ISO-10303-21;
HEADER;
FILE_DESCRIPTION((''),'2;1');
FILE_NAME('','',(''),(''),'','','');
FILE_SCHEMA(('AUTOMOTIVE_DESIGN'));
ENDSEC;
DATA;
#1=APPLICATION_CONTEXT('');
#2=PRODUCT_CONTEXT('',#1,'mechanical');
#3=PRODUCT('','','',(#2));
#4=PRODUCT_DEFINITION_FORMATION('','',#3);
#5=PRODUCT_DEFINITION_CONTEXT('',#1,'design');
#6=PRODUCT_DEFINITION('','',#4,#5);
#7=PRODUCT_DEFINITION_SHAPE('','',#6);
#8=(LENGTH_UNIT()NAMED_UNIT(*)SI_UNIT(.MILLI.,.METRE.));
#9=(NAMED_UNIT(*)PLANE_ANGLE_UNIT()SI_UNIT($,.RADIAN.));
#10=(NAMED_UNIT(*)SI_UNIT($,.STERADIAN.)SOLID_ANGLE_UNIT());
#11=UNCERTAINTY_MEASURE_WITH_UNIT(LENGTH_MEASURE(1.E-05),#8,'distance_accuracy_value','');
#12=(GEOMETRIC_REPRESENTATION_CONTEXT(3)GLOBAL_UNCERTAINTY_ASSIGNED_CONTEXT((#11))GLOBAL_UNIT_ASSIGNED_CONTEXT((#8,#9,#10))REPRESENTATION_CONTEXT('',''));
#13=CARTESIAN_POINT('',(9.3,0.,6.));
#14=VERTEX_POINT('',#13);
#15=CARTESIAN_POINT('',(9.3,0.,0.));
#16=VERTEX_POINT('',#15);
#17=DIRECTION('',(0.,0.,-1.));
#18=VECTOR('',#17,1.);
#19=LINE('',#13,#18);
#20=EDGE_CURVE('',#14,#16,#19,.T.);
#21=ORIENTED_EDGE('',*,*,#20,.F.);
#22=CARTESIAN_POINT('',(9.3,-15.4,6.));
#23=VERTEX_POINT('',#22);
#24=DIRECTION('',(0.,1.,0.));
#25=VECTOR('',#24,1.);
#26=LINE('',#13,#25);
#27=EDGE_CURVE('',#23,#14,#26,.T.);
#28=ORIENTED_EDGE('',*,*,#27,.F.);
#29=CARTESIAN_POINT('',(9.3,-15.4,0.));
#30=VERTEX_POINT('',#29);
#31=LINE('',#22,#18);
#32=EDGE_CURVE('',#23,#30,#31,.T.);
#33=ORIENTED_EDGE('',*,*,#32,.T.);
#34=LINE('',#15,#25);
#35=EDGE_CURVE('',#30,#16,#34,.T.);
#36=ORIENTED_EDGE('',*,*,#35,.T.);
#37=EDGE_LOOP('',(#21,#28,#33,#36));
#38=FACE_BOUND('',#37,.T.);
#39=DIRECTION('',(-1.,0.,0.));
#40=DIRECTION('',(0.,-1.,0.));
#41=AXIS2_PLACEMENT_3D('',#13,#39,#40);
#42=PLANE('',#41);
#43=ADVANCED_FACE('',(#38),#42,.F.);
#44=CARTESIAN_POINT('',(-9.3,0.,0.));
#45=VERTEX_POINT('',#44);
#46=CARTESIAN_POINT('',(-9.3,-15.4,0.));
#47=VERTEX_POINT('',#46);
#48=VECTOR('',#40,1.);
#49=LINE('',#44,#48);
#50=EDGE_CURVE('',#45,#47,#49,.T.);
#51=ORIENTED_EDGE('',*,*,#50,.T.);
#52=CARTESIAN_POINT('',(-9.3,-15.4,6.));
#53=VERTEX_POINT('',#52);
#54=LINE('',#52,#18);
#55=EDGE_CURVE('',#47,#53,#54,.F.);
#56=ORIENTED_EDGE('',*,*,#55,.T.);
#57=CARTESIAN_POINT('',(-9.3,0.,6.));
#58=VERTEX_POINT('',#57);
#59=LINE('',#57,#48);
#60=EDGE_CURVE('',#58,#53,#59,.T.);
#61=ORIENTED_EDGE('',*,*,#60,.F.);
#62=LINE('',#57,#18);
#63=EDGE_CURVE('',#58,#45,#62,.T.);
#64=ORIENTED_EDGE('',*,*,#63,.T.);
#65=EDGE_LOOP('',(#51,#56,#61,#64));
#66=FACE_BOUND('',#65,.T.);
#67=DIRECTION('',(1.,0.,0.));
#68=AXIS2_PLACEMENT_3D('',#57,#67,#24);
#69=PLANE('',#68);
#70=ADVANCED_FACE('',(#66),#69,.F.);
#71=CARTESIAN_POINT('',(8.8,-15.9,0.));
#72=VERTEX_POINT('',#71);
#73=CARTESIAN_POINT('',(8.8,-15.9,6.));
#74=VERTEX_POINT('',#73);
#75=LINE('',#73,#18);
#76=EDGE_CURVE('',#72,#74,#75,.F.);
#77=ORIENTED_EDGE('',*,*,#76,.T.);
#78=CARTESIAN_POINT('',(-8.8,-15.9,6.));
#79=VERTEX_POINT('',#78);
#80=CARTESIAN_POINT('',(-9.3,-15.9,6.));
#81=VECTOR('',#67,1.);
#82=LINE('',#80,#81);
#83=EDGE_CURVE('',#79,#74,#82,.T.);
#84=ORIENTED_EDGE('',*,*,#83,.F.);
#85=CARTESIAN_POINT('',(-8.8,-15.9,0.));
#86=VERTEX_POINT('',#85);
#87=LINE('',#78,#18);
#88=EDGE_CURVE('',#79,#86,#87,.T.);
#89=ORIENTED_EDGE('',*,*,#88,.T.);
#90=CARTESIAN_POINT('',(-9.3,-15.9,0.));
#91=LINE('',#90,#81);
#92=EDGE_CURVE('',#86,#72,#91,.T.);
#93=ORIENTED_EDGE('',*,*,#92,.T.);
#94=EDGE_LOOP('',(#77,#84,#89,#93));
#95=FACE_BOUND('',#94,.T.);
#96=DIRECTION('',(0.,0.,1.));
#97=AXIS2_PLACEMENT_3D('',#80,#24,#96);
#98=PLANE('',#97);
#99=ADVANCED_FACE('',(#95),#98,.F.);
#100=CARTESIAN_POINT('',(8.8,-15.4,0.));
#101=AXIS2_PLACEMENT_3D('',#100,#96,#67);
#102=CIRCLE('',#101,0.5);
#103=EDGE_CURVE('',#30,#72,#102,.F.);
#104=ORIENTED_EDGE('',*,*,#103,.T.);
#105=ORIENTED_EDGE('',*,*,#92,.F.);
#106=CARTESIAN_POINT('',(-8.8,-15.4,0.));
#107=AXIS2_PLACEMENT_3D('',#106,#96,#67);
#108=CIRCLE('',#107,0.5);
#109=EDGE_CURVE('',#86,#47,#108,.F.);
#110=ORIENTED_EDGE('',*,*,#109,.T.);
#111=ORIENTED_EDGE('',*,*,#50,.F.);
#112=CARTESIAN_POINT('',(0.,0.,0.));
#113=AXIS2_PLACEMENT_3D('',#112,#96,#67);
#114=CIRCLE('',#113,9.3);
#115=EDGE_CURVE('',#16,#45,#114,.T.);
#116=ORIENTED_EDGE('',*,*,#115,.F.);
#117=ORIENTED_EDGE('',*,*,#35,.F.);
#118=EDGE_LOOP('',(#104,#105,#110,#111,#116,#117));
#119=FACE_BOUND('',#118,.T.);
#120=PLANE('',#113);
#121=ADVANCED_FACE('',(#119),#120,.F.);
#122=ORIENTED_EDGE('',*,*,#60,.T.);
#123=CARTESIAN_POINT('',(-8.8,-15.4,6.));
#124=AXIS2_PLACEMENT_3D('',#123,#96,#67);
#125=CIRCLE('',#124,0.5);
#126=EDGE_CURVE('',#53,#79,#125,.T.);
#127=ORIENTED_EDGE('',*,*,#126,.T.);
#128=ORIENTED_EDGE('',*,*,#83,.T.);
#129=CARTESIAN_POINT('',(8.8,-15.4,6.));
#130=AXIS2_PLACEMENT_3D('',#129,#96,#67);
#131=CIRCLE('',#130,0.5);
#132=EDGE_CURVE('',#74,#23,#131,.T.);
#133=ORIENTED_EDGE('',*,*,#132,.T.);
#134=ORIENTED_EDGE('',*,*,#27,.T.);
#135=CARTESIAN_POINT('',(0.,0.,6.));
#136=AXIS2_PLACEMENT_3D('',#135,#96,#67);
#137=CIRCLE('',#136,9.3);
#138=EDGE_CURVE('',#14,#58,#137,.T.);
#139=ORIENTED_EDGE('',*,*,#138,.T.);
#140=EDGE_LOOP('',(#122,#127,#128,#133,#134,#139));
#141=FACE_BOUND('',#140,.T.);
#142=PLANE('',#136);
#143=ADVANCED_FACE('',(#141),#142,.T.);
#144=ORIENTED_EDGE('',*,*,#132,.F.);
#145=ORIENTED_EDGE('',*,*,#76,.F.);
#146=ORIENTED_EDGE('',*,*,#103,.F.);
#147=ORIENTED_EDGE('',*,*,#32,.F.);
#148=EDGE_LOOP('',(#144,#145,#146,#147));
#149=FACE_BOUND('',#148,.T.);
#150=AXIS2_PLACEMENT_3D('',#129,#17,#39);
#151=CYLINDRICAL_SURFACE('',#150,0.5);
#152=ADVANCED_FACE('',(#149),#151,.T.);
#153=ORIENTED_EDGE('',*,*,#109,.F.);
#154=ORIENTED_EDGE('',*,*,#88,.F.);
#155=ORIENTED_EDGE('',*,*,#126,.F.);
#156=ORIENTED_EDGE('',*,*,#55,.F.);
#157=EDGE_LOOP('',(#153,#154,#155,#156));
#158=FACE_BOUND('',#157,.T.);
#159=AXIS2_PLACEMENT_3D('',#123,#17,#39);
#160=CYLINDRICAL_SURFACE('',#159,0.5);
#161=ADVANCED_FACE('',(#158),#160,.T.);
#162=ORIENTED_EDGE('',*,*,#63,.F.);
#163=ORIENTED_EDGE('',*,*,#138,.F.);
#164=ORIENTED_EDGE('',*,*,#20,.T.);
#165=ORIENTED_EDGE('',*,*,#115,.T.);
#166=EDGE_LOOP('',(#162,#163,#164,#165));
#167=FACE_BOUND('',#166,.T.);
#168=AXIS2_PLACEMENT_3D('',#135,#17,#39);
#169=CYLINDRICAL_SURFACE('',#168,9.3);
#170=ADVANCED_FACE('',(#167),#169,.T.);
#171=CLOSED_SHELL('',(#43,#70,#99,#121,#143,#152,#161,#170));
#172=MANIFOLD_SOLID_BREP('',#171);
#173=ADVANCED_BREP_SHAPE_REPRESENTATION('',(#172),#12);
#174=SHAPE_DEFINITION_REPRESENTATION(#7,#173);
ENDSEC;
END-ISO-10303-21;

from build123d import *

# Parameters (mm, degrees)
EXTRUDE_1_DEPTH = 6
FILLET_1_R      = 0.5


with BuildPart() as part:
    # 草图1 → 凸台-拉伸1 (new body)
    with BuildSketch(Plane.XY):
        with BuildLine():
            Line((-9.3, 0), (-9.3, -15.9))
            Line((-9.3, -15.9), (9.3, -15.9))
            Line((9.3, -15.9), (9.3, 0))
            ThreePointArc((9.3, 0), (0, 9.3), (-9.3, 0))
        make_face()
    extrude(amount=EXTRUDE_1_DEPTH)

    # 圆角1
    fillet_1_edges = [part.edges().sort_by_distance(p)[0] for p in [
        (9.3, -15.9, 3),
        (-9.3, -15.9, 3),
    ]]
    fillet(fillet_1_edges, radius=FILLET_1_R)


solid = part.part
